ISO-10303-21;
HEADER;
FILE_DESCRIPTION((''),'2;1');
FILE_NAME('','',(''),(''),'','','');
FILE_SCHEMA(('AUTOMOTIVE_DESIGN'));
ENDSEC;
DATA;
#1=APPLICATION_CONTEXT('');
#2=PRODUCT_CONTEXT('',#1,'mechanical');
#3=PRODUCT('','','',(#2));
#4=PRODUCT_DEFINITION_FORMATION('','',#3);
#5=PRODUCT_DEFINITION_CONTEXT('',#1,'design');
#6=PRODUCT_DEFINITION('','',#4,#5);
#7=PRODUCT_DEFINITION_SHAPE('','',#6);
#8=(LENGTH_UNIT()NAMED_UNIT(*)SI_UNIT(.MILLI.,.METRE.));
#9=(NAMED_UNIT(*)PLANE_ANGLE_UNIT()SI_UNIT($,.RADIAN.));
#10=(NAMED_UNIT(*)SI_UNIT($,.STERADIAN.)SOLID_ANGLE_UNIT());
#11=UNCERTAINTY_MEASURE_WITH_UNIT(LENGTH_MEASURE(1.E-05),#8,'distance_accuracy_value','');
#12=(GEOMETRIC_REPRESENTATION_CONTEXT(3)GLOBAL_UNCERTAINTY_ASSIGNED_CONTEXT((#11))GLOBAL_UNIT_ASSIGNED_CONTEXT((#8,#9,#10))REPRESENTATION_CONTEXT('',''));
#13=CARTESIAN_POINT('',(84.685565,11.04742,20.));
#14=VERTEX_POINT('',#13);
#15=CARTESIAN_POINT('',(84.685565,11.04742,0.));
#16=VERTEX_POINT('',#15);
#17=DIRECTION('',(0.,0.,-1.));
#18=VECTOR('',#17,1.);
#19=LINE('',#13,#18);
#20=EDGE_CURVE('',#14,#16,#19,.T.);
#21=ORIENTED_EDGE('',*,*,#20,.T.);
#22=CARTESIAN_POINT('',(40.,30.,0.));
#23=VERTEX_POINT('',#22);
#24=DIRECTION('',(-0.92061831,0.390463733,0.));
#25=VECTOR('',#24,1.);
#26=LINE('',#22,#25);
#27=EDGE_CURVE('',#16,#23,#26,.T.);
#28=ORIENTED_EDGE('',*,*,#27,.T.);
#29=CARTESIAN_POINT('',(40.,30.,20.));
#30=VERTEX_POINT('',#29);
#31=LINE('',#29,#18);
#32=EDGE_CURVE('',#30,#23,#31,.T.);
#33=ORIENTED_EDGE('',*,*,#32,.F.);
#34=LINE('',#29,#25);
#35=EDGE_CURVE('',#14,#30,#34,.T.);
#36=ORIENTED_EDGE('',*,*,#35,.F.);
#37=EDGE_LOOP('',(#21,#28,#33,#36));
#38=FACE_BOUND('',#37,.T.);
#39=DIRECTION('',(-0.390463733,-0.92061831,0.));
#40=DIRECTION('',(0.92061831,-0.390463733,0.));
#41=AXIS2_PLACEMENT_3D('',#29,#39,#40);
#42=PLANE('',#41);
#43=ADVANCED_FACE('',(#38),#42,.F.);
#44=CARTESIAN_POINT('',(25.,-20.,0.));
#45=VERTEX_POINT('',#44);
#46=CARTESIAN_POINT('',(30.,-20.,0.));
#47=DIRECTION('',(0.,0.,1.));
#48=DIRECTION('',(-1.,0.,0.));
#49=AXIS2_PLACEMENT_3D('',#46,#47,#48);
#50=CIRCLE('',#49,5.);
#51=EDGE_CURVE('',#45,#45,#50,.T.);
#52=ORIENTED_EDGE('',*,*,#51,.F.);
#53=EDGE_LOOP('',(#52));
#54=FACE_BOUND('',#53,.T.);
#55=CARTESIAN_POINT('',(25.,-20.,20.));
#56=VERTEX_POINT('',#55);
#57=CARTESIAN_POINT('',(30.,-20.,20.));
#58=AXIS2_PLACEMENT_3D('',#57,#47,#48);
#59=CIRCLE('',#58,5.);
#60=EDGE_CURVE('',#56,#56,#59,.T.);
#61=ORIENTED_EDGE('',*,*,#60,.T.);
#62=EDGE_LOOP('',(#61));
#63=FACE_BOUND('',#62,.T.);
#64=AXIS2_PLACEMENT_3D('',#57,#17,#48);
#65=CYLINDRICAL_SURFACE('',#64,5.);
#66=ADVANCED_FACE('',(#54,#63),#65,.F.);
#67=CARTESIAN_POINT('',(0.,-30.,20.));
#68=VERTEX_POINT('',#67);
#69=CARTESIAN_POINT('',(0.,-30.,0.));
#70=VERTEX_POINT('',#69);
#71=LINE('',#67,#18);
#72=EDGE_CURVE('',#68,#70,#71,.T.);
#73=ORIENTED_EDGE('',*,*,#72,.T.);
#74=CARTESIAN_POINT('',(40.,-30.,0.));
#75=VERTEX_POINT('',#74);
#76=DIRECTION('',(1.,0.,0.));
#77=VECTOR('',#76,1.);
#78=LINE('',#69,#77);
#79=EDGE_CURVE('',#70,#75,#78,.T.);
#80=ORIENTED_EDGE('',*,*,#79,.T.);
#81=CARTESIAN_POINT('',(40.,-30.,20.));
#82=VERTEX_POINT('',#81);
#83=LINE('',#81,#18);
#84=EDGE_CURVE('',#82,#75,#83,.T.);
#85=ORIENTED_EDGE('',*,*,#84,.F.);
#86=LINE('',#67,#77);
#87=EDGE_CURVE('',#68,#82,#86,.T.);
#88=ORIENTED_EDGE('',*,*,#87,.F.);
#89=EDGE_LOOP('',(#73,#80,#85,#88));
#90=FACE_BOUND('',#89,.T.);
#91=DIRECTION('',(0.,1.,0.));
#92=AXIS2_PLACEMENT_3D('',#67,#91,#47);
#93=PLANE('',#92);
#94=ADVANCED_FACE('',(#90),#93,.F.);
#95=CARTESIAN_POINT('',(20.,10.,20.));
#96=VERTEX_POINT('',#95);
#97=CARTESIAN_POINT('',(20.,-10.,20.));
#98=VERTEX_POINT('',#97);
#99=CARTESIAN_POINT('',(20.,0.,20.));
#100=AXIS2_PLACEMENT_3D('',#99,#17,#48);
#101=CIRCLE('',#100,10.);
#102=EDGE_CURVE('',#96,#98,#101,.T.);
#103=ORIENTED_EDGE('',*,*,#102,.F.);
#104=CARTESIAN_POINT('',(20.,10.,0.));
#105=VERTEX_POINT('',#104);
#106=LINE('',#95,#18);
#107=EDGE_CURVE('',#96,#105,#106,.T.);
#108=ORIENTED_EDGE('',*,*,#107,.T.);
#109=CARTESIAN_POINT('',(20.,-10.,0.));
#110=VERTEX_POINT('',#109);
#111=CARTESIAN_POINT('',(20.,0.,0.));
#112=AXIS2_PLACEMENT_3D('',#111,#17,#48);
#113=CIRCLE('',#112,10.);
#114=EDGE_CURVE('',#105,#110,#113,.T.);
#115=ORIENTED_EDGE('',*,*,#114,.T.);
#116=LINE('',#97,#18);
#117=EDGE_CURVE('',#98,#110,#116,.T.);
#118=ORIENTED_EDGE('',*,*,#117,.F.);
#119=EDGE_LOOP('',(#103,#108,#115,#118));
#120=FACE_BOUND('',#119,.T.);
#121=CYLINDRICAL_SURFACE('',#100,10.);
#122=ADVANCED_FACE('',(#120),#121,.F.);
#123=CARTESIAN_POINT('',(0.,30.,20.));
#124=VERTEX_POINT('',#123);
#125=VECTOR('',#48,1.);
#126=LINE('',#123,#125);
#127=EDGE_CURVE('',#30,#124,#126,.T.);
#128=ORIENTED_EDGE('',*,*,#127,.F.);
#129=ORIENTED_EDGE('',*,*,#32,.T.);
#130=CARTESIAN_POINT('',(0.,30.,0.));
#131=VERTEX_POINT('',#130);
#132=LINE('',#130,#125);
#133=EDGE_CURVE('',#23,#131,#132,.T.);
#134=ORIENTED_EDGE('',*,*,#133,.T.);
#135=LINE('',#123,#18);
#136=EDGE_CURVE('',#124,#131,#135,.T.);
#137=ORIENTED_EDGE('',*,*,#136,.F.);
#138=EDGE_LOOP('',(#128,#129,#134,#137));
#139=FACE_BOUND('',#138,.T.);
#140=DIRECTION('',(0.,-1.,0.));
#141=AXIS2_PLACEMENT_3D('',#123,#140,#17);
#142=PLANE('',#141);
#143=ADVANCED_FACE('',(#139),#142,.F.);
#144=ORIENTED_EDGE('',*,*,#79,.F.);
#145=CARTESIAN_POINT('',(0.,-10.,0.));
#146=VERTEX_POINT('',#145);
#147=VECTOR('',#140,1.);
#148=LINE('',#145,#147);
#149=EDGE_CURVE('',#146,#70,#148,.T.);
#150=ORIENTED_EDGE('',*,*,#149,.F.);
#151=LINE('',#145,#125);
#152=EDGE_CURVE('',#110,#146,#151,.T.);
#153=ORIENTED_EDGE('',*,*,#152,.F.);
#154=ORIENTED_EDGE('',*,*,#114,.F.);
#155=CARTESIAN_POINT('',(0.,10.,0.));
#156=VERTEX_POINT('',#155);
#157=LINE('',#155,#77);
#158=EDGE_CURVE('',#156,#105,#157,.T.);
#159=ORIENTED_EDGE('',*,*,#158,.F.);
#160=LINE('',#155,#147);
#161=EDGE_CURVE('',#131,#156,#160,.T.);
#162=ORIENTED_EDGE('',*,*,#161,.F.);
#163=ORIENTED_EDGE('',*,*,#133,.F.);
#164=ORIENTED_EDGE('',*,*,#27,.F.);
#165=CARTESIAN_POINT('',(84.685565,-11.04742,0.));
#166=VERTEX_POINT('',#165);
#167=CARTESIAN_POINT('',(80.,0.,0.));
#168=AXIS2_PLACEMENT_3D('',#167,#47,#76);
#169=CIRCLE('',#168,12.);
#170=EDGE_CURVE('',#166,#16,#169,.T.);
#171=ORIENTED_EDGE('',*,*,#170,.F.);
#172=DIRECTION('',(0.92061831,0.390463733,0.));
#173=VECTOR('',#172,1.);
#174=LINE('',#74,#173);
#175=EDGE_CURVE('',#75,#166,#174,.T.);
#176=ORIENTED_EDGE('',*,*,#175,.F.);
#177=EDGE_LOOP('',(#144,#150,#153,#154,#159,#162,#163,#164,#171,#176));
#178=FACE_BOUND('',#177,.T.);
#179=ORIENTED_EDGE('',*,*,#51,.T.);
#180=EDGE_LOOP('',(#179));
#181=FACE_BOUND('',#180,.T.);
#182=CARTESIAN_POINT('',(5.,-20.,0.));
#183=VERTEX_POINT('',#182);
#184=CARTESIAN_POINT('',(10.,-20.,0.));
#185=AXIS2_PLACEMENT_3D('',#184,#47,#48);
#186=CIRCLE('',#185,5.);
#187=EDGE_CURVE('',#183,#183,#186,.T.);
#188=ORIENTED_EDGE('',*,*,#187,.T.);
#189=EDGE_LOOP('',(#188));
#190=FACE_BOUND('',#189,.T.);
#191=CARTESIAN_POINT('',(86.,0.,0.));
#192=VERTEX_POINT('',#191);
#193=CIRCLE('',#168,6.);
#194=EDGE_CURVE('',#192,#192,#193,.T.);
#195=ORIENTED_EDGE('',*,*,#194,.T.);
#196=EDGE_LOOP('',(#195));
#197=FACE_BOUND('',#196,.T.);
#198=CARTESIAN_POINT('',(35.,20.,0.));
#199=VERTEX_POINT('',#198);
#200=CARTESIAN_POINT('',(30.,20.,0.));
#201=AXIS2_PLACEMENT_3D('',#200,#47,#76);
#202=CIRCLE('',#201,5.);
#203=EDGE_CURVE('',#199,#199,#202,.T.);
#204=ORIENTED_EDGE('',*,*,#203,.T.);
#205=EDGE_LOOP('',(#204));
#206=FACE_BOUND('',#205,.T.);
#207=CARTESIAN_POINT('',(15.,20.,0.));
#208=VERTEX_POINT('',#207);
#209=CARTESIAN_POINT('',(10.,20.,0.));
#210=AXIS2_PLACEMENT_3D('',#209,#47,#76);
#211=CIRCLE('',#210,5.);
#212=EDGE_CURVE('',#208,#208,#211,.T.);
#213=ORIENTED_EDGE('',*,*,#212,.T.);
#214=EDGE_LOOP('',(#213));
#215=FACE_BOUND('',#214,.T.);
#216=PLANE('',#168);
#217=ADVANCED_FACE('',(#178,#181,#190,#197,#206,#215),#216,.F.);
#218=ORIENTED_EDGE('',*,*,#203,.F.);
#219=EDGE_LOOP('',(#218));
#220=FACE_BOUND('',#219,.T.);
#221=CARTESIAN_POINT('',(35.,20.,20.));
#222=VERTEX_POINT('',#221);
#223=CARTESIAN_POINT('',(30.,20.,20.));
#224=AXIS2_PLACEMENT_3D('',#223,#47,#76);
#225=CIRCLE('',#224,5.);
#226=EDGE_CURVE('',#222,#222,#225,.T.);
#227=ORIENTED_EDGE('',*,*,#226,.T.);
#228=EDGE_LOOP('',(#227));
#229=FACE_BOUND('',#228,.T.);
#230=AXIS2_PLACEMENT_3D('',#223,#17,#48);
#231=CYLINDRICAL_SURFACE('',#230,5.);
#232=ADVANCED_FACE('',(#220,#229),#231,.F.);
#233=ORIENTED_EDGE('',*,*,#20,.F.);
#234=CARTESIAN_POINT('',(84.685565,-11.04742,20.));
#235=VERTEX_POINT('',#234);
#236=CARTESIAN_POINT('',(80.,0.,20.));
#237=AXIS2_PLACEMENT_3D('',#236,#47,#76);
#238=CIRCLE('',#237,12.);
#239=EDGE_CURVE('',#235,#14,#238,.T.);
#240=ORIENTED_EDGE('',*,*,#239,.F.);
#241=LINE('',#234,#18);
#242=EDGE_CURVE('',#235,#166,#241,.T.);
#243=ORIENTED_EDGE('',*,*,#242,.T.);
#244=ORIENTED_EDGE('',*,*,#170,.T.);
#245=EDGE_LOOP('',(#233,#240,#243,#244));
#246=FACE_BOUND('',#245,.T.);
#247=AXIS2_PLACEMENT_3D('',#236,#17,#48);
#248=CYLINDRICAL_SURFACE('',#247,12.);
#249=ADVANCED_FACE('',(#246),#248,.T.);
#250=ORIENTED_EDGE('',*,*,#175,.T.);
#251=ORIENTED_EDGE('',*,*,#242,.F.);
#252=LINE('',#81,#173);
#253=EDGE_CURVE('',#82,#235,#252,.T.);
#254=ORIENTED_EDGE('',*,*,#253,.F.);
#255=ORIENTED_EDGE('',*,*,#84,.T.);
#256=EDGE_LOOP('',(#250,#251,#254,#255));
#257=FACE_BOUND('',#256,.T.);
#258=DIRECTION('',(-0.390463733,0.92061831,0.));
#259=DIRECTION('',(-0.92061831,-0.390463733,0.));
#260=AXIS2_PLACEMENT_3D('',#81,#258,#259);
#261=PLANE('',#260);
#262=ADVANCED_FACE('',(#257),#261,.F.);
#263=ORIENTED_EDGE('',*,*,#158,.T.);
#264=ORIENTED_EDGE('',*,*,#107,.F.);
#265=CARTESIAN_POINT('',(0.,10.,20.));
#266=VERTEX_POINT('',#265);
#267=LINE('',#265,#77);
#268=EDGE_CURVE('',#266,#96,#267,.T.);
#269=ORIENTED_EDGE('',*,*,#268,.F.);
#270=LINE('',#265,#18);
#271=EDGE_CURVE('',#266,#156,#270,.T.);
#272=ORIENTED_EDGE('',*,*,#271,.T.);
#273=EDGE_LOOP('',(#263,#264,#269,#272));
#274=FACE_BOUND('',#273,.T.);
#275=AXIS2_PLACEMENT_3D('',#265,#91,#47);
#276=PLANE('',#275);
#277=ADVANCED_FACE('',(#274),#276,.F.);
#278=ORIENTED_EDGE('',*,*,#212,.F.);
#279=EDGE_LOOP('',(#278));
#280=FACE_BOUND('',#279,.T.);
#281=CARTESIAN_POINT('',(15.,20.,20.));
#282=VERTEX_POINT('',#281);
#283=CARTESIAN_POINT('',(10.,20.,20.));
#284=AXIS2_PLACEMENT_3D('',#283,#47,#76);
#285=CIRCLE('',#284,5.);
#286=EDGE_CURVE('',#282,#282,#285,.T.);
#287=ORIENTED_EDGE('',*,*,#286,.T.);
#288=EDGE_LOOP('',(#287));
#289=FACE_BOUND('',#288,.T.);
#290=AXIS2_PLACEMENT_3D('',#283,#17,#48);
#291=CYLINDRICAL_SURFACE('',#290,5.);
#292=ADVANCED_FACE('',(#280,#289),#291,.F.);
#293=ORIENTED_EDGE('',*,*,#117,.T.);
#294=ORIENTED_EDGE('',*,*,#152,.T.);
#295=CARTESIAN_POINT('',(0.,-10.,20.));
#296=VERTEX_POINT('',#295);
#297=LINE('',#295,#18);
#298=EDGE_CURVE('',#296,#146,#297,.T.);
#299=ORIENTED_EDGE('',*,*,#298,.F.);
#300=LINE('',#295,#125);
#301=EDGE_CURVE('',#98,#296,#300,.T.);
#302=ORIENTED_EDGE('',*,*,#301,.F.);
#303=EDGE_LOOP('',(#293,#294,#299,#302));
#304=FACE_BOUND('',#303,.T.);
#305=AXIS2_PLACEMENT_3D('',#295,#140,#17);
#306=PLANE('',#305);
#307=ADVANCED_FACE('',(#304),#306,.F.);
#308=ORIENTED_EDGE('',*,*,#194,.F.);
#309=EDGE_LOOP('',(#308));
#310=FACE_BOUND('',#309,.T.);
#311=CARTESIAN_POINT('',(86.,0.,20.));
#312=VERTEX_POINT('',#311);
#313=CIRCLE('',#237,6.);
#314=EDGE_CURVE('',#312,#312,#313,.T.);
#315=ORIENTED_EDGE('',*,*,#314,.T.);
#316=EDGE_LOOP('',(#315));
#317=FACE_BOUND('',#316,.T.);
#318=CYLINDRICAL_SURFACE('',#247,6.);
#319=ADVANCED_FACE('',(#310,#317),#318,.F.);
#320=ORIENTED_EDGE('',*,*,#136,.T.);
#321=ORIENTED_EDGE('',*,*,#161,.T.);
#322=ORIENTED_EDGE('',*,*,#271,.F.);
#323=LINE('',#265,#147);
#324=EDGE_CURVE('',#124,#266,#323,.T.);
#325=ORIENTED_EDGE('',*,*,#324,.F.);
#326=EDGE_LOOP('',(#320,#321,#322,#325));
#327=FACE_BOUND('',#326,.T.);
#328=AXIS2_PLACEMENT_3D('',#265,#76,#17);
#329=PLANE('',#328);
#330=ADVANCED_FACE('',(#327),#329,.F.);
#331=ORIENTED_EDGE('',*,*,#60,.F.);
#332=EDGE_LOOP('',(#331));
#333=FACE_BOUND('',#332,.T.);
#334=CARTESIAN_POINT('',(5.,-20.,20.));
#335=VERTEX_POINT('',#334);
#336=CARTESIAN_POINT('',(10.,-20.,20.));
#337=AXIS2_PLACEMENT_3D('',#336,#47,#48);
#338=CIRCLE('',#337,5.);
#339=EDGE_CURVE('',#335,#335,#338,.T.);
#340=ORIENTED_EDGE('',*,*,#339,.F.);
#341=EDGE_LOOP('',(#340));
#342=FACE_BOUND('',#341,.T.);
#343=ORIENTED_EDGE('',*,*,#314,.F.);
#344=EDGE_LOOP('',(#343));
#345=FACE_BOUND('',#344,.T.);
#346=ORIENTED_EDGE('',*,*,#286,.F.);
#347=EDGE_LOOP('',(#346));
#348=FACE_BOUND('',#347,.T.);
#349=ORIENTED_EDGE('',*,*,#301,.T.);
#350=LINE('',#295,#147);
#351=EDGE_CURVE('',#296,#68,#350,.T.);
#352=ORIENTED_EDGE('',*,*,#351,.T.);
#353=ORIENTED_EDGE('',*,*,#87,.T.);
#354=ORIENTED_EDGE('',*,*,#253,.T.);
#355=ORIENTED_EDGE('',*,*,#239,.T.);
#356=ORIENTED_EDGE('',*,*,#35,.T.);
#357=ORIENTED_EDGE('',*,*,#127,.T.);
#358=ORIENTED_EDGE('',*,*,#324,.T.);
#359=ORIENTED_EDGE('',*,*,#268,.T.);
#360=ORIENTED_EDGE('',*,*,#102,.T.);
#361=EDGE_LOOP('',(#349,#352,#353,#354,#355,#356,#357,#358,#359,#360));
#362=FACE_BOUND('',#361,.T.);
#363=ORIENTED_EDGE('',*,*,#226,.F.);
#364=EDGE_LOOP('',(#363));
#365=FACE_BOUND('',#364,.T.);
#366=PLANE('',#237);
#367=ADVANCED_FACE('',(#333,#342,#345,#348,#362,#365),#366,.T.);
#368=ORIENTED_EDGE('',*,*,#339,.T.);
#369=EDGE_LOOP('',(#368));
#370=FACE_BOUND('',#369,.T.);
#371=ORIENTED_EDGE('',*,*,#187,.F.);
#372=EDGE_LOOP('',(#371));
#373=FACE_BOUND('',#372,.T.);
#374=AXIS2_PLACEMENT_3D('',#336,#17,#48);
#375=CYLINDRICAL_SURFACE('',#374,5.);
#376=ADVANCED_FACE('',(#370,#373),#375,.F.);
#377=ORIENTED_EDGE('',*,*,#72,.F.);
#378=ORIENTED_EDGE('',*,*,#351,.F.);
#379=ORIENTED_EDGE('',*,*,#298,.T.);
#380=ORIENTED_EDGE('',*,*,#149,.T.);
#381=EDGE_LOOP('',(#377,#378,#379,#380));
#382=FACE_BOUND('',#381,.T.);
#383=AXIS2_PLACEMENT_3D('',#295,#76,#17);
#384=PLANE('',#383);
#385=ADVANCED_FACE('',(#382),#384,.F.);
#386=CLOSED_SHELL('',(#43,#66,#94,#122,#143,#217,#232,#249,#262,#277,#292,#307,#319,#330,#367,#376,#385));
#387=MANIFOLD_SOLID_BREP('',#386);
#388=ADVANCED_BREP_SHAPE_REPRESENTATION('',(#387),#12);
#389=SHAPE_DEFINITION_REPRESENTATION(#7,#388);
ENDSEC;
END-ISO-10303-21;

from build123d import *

# Parameters (mm, degrees)
SKETCH1_R           = 6
SKETCH1_R_2         = 5
BOSS_EXTRUDE1_DEPTH = 20


with BuildPart() as part:
    # Sketch1 → Boss-Extrude1 (new body)
    with BuildSketch(Plane.XY):
        with BuildLine():
            Line((0, 10), (20, 10))
            ThreePointArc((20, 10), (30, 0), (20, -10))
            Line((20, -10), (0, -10))
            Line((0, -10), (0, -30))
            Line((0, -30), (40, -30))
            Line((40, -30), (84.685564793, -11.047419724))
            ThreePointArc((84.685564793, -11.047419724), (92, 0), (84.685564793, 11.047419724))
            Line((84.685564793, 11.047419724), (40, 30))
            Line((40, 30), (0, 30))
            Line((0, 30), (0, 10))
        make_face()
        with Locations((80, 0)):
            Circle(SKETCH1_R, mode=Mode.SUBTRACT)
        with Locations((10, 20)):
            Circle(SKETCH1_R_2, mode=Mode.SUBTRACT)
        with Locations((30, 20)):
            Circle(SKETCH1_R_2, mode=Mode.SUBTRACT)
        with Locations((30, -20)):
            Circle(SKETCH1_R_2, mode=Mode.SUBTRACT)
        with Locations((10, -20)):
            Circle(SKETCH1_R_2, mode=Mode.SUBTRACT)
    extrude(amount=BOSS_EXTRUDE1_DEPTH)


solid = part.part
